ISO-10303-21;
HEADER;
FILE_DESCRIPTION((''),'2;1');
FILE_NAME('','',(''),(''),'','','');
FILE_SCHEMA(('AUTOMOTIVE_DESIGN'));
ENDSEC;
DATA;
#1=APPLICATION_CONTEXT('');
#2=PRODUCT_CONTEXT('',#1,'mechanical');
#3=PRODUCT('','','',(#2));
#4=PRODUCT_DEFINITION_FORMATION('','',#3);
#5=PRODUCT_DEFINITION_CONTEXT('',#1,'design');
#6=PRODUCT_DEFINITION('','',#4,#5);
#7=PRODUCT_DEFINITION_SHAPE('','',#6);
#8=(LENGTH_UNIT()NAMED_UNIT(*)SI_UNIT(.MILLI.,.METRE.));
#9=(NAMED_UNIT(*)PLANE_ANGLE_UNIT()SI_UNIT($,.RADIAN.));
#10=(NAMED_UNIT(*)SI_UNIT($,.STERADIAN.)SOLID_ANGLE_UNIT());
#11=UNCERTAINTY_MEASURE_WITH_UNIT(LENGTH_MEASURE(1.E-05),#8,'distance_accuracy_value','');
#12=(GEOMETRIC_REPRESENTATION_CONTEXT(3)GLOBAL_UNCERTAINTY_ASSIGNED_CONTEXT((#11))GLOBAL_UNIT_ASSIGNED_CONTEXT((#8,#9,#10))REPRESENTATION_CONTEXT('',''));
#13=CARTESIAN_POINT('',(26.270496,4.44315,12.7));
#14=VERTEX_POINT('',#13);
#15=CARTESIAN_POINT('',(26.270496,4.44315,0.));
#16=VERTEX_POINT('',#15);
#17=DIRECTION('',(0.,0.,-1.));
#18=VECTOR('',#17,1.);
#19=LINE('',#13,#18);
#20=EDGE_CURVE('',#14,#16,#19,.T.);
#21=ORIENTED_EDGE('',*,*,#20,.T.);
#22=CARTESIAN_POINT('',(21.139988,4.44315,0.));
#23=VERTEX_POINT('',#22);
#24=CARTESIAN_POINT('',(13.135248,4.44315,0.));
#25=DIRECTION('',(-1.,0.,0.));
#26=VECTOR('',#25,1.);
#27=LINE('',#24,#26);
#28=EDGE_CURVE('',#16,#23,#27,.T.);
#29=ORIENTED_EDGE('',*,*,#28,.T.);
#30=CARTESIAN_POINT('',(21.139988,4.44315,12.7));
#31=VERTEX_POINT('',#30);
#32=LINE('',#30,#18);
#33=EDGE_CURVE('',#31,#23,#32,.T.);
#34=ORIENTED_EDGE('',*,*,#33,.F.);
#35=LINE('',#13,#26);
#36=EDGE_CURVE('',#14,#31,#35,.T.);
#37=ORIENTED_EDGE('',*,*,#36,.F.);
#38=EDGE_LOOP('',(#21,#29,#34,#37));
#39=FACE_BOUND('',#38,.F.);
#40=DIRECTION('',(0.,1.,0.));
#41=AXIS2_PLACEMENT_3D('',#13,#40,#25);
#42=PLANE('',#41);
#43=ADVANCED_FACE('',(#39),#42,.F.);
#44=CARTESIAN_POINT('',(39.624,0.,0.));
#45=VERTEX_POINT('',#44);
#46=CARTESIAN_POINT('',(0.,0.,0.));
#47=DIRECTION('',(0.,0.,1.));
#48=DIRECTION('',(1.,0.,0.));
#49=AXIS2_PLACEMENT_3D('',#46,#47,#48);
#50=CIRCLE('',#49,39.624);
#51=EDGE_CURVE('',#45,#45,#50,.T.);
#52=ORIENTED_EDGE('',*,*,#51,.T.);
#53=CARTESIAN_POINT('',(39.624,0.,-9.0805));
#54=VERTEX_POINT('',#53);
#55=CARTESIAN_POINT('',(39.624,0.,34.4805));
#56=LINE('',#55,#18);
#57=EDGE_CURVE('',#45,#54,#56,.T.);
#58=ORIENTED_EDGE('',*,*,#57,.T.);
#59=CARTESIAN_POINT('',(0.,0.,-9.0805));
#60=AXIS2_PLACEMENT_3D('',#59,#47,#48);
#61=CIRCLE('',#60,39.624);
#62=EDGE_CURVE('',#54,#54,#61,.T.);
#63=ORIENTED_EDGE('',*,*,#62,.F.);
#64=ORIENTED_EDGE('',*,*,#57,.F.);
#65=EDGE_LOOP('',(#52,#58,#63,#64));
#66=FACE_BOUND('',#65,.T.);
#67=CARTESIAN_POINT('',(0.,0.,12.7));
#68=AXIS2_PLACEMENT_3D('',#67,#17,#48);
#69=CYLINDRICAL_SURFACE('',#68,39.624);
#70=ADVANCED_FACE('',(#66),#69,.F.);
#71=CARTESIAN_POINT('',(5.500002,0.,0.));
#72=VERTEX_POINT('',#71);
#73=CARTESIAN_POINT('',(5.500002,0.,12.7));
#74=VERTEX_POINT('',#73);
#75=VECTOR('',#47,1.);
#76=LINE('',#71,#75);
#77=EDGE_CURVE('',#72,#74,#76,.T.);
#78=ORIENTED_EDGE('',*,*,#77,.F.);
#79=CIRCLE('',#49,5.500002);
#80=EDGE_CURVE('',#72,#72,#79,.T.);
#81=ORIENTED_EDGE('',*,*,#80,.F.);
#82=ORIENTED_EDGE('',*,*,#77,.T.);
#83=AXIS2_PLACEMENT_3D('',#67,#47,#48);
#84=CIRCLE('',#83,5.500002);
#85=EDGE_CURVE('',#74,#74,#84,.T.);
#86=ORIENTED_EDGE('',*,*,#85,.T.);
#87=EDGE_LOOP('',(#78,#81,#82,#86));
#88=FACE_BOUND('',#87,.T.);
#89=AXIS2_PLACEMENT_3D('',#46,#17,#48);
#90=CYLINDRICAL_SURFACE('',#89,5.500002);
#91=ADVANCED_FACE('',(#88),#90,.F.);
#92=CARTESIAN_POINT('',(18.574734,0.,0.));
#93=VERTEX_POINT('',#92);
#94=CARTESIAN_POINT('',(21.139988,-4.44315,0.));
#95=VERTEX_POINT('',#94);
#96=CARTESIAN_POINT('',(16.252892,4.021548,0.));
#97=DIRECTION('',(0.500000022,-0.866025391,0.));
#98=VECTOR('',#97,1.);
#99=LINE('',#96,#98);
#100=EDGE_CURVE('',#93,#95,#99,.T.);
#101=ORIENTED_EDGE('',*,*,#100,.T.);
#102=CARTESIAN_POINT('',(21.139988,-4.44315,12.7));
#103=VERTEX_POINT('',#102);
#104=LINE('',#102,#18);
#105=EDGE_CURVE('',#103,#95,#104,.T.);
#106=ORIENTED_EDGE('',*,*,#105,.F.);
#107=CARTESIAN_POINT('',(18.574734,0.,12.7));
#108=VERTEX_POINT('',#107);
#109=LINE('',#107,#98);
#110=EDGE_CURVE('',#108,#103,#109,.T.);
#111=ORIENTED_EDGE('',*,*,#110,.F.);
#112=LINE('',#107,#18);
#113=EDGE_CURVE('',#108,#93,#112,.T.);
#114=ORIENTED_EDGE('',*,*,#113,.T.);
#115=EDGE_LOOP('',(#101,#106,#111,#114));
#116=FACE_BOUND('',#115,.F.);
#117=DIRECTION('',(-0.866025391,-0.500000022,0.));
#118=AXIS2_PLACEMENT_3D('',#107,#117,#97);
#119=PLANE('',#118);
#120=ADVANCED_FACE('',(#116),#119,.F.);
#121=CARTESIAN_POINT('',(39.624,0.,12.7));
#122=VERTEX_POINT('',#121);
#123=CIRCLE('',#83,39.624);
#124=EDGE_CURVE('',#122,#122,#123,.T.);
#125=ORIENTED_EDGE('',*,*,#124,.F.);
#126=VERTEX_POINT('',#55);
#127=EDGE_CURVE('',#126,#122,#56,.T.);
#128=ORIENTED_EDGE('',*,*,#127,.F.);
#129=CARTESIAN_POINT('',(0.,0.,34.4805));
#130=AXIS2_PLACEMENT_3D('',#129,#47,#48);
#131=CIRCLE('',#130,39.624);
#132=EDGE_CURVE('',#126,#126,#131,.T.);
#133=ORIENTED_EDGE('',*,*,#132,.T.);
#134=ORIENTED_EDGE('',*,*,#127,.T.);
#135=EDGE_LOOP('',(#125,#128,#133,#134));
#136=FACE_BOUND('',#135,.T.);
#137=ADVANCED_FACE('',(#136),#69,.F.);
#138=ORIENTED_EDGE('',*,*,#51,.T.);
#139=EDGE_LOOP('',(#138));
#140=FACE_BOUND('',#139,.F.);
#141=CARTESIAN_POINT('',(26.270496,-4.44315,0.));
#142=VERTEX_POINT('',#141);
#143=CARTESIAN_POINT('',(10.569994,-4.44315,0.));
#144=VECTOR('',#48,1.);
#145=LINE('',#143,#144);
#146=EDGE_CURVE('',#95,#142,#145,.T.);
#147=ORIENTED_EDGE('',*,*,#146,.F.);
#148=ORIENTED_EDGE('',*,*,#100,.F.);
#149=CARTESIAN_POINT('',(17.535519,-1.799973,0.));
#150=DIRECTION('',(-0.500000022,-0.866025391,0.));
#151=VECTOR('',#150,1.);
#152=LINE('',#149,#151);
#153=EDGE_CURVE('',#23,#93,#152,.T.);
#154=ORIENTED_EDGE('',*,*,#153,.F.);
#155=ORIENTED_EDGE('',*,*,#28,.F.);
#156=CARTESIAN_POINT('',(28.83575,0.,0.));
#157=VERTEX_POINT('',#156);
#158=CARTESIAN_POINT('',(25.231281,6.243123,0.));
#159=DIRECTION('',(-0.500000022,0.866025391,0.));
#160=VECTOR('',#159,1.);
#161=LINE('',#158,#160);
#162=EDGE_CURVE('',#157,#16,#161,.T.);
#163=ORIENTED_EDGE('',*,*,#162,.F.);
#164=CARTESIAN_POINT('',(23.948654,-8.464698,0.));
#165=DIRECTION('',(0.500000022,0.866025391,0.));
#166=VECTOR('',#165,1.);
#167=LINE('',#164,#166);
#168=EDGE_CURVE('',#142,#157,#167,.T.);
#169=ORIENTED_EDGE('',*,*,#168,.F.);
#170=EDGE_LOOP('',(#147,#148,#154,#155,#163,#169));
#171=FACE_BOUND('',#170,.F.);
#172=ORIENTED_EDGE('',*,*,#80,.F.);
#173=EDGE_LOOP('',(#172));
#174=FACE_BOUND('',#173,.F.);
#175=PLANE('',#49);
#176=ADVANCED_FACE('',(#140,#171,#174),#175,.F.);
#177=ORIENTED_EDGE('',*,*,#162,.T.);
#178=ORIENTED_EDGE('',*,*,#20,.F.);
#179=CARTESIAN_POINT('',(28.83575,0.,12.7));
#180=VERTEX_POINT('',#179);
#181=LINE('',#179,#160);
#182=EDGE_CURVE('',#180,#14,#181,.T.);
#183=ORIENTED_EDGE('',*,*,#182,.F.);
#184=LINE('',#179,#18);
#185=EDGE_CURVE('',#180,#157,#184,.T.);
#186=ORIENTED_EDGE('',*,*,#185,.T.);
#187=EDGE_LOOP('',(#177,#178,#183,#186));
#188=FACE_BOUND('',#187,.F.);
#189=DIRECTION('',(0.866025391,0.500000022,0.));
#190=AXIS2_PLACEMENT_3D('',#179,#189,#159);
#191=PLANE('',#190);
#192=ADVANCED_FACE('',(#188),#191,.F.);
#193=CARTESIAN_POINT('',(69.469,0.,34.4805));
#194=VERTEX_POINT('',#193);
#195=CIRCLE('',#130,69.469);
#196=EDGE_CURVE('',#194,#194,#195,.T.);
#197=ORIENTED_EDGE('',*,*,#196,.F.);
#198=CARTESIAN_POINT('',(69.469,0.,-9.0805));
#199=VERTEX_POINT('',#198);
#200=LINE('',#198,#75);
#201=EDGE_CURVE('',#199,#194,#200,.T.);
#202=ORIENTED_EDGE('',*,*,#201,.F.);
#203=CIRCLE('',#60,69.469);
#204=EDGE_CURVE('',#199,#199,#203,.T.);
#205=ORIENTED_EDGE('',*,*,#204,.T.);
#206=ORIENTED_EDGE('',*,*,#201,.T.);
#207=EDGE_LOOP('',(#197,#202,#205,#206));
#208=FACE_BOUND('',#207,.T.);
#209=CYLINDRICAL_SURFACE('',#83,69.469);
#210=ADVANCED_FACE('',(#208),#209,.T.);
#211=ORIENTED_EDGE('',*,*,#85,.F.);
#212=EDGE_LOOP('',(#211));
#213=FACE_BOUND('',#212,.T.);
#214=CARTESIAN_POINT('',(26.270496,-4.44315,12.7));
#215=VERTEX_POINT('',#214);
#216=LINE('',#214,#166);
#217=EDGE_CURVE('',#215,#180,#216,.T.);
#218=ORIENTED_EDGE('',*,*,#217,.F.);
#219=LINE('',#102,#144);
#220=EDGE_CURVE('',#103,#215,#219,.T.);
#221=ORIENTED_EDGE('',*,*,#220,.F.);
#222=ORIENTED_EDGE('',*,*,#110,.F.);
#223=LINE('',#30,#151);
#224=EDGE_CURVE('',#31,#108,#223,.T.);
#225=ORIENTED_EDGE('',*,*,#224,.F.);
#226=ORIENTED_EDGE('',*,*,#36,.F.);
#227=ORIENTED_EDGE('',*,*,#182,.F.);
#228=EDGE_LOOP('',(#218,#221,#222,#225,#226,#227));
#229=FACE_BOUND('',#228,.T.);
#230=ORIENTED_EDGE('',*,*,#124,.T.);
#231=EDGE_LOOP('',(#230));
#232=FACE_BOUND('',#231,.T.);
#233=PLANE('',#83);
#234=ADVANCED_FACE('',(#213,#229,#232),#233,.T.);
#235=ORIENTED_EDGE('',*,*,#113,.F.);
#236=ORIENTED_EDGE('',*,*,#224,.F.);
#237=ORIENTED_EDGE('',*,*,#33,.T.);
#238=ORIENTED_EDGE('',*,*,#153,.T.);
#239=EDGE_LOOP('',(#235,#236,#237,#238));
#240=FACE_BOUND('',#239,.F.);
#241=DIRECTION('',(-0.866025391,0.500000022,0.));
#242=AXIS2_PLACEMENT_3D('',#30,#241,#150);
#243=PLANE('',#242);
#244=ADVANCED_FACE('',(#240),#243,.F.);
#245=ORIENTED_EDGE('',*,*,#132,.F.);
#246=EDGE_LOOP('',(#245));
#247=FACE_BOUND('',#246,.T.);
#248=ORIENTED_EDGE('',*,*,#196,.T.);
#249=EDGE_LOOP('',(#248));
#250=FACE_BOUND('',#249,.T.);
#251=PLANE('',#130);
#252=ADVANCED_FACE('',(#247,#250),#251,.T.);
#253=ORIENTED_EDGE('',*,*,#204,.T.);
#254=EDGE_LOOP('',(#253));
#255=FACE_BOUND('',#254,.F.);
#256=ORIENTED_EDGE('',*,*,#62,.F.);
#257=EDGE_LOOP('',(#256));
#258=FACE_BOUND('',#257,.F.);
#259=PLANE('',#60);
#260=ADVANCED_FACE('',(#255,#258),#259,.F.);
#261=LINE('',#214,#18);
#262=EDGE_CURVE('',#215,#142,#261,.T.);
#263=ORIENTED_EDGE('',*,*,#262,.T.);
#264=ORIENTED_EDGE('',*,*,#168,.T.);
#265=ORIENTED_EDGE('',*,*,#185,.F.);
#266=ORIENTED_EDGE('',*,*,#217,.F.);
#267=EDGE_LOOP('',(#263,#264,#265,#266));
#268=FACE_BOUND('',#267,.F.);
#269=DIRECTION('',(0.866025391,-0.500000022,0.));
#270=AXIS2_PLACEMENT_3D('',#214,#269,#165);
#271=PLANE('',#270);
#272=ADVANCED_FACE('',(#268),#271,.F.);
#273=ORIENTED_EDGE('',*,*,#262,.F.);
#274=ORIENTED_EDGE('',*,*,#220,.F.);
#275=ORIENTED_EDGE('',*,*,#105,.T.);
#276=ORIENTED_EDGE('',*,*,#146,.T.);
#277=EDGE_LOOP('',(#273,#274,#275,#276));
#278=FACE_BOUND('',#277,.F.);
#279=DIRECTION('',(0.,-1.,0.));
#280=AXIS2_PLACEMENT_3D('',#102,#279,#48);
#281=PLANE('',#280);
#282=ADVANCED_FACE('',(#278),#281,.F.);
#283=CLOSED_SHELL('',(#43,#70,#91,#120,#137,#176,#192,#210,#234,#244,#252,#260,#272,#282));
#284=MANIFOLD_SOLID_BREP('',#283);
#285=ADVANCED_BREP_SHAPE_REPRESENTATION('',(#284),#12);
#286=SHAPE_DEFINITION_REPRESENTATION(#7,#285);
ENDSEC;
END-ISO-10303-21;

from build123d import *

# Parameters (mm, degrees)
F0_R     = 39.624
F0_R_2   = 5.500002
F1_DEPTH = 12.7
F2_R     = 69.469
F2_R_2   = 39.624
F3_DEPTH = 21.7805
F5_DEPTH = 45.212


with BuildPart() as f1:
    # F0 (on Top) → F1 (new body)
    with BuildSketch(Plane.XY):
        Circle(F0_R)
        Circle(F0_R_2, mode=Mode.SUBTRACT)
    extrude(amount=F1_DEPTH)

    # F2 (on face) → F3 (join, symmetric)
    with BuildSketch(Plane.XY.offset(12.7)):
        Circle(F2_R)
        Circle(F2_R_2, mode=Mode.SUBTRACT)
    extrude(amount=F3_DEPTH, both=True)

    # F4 (on face) → F5 (cut)
    with BuildSketch(Plane.XY.offset(12.7)):
        Polygon((21.139988, -4.44315), (26.270496, -4.44315), (28.83575, 0), (26.270496, 4.44315), (21.139988, 4.44315), (18.574734, 0), align=None)
    extrude(amount=-F5_DEPTH, mode=Mode.SUBTRACT)


solid = f1.part
